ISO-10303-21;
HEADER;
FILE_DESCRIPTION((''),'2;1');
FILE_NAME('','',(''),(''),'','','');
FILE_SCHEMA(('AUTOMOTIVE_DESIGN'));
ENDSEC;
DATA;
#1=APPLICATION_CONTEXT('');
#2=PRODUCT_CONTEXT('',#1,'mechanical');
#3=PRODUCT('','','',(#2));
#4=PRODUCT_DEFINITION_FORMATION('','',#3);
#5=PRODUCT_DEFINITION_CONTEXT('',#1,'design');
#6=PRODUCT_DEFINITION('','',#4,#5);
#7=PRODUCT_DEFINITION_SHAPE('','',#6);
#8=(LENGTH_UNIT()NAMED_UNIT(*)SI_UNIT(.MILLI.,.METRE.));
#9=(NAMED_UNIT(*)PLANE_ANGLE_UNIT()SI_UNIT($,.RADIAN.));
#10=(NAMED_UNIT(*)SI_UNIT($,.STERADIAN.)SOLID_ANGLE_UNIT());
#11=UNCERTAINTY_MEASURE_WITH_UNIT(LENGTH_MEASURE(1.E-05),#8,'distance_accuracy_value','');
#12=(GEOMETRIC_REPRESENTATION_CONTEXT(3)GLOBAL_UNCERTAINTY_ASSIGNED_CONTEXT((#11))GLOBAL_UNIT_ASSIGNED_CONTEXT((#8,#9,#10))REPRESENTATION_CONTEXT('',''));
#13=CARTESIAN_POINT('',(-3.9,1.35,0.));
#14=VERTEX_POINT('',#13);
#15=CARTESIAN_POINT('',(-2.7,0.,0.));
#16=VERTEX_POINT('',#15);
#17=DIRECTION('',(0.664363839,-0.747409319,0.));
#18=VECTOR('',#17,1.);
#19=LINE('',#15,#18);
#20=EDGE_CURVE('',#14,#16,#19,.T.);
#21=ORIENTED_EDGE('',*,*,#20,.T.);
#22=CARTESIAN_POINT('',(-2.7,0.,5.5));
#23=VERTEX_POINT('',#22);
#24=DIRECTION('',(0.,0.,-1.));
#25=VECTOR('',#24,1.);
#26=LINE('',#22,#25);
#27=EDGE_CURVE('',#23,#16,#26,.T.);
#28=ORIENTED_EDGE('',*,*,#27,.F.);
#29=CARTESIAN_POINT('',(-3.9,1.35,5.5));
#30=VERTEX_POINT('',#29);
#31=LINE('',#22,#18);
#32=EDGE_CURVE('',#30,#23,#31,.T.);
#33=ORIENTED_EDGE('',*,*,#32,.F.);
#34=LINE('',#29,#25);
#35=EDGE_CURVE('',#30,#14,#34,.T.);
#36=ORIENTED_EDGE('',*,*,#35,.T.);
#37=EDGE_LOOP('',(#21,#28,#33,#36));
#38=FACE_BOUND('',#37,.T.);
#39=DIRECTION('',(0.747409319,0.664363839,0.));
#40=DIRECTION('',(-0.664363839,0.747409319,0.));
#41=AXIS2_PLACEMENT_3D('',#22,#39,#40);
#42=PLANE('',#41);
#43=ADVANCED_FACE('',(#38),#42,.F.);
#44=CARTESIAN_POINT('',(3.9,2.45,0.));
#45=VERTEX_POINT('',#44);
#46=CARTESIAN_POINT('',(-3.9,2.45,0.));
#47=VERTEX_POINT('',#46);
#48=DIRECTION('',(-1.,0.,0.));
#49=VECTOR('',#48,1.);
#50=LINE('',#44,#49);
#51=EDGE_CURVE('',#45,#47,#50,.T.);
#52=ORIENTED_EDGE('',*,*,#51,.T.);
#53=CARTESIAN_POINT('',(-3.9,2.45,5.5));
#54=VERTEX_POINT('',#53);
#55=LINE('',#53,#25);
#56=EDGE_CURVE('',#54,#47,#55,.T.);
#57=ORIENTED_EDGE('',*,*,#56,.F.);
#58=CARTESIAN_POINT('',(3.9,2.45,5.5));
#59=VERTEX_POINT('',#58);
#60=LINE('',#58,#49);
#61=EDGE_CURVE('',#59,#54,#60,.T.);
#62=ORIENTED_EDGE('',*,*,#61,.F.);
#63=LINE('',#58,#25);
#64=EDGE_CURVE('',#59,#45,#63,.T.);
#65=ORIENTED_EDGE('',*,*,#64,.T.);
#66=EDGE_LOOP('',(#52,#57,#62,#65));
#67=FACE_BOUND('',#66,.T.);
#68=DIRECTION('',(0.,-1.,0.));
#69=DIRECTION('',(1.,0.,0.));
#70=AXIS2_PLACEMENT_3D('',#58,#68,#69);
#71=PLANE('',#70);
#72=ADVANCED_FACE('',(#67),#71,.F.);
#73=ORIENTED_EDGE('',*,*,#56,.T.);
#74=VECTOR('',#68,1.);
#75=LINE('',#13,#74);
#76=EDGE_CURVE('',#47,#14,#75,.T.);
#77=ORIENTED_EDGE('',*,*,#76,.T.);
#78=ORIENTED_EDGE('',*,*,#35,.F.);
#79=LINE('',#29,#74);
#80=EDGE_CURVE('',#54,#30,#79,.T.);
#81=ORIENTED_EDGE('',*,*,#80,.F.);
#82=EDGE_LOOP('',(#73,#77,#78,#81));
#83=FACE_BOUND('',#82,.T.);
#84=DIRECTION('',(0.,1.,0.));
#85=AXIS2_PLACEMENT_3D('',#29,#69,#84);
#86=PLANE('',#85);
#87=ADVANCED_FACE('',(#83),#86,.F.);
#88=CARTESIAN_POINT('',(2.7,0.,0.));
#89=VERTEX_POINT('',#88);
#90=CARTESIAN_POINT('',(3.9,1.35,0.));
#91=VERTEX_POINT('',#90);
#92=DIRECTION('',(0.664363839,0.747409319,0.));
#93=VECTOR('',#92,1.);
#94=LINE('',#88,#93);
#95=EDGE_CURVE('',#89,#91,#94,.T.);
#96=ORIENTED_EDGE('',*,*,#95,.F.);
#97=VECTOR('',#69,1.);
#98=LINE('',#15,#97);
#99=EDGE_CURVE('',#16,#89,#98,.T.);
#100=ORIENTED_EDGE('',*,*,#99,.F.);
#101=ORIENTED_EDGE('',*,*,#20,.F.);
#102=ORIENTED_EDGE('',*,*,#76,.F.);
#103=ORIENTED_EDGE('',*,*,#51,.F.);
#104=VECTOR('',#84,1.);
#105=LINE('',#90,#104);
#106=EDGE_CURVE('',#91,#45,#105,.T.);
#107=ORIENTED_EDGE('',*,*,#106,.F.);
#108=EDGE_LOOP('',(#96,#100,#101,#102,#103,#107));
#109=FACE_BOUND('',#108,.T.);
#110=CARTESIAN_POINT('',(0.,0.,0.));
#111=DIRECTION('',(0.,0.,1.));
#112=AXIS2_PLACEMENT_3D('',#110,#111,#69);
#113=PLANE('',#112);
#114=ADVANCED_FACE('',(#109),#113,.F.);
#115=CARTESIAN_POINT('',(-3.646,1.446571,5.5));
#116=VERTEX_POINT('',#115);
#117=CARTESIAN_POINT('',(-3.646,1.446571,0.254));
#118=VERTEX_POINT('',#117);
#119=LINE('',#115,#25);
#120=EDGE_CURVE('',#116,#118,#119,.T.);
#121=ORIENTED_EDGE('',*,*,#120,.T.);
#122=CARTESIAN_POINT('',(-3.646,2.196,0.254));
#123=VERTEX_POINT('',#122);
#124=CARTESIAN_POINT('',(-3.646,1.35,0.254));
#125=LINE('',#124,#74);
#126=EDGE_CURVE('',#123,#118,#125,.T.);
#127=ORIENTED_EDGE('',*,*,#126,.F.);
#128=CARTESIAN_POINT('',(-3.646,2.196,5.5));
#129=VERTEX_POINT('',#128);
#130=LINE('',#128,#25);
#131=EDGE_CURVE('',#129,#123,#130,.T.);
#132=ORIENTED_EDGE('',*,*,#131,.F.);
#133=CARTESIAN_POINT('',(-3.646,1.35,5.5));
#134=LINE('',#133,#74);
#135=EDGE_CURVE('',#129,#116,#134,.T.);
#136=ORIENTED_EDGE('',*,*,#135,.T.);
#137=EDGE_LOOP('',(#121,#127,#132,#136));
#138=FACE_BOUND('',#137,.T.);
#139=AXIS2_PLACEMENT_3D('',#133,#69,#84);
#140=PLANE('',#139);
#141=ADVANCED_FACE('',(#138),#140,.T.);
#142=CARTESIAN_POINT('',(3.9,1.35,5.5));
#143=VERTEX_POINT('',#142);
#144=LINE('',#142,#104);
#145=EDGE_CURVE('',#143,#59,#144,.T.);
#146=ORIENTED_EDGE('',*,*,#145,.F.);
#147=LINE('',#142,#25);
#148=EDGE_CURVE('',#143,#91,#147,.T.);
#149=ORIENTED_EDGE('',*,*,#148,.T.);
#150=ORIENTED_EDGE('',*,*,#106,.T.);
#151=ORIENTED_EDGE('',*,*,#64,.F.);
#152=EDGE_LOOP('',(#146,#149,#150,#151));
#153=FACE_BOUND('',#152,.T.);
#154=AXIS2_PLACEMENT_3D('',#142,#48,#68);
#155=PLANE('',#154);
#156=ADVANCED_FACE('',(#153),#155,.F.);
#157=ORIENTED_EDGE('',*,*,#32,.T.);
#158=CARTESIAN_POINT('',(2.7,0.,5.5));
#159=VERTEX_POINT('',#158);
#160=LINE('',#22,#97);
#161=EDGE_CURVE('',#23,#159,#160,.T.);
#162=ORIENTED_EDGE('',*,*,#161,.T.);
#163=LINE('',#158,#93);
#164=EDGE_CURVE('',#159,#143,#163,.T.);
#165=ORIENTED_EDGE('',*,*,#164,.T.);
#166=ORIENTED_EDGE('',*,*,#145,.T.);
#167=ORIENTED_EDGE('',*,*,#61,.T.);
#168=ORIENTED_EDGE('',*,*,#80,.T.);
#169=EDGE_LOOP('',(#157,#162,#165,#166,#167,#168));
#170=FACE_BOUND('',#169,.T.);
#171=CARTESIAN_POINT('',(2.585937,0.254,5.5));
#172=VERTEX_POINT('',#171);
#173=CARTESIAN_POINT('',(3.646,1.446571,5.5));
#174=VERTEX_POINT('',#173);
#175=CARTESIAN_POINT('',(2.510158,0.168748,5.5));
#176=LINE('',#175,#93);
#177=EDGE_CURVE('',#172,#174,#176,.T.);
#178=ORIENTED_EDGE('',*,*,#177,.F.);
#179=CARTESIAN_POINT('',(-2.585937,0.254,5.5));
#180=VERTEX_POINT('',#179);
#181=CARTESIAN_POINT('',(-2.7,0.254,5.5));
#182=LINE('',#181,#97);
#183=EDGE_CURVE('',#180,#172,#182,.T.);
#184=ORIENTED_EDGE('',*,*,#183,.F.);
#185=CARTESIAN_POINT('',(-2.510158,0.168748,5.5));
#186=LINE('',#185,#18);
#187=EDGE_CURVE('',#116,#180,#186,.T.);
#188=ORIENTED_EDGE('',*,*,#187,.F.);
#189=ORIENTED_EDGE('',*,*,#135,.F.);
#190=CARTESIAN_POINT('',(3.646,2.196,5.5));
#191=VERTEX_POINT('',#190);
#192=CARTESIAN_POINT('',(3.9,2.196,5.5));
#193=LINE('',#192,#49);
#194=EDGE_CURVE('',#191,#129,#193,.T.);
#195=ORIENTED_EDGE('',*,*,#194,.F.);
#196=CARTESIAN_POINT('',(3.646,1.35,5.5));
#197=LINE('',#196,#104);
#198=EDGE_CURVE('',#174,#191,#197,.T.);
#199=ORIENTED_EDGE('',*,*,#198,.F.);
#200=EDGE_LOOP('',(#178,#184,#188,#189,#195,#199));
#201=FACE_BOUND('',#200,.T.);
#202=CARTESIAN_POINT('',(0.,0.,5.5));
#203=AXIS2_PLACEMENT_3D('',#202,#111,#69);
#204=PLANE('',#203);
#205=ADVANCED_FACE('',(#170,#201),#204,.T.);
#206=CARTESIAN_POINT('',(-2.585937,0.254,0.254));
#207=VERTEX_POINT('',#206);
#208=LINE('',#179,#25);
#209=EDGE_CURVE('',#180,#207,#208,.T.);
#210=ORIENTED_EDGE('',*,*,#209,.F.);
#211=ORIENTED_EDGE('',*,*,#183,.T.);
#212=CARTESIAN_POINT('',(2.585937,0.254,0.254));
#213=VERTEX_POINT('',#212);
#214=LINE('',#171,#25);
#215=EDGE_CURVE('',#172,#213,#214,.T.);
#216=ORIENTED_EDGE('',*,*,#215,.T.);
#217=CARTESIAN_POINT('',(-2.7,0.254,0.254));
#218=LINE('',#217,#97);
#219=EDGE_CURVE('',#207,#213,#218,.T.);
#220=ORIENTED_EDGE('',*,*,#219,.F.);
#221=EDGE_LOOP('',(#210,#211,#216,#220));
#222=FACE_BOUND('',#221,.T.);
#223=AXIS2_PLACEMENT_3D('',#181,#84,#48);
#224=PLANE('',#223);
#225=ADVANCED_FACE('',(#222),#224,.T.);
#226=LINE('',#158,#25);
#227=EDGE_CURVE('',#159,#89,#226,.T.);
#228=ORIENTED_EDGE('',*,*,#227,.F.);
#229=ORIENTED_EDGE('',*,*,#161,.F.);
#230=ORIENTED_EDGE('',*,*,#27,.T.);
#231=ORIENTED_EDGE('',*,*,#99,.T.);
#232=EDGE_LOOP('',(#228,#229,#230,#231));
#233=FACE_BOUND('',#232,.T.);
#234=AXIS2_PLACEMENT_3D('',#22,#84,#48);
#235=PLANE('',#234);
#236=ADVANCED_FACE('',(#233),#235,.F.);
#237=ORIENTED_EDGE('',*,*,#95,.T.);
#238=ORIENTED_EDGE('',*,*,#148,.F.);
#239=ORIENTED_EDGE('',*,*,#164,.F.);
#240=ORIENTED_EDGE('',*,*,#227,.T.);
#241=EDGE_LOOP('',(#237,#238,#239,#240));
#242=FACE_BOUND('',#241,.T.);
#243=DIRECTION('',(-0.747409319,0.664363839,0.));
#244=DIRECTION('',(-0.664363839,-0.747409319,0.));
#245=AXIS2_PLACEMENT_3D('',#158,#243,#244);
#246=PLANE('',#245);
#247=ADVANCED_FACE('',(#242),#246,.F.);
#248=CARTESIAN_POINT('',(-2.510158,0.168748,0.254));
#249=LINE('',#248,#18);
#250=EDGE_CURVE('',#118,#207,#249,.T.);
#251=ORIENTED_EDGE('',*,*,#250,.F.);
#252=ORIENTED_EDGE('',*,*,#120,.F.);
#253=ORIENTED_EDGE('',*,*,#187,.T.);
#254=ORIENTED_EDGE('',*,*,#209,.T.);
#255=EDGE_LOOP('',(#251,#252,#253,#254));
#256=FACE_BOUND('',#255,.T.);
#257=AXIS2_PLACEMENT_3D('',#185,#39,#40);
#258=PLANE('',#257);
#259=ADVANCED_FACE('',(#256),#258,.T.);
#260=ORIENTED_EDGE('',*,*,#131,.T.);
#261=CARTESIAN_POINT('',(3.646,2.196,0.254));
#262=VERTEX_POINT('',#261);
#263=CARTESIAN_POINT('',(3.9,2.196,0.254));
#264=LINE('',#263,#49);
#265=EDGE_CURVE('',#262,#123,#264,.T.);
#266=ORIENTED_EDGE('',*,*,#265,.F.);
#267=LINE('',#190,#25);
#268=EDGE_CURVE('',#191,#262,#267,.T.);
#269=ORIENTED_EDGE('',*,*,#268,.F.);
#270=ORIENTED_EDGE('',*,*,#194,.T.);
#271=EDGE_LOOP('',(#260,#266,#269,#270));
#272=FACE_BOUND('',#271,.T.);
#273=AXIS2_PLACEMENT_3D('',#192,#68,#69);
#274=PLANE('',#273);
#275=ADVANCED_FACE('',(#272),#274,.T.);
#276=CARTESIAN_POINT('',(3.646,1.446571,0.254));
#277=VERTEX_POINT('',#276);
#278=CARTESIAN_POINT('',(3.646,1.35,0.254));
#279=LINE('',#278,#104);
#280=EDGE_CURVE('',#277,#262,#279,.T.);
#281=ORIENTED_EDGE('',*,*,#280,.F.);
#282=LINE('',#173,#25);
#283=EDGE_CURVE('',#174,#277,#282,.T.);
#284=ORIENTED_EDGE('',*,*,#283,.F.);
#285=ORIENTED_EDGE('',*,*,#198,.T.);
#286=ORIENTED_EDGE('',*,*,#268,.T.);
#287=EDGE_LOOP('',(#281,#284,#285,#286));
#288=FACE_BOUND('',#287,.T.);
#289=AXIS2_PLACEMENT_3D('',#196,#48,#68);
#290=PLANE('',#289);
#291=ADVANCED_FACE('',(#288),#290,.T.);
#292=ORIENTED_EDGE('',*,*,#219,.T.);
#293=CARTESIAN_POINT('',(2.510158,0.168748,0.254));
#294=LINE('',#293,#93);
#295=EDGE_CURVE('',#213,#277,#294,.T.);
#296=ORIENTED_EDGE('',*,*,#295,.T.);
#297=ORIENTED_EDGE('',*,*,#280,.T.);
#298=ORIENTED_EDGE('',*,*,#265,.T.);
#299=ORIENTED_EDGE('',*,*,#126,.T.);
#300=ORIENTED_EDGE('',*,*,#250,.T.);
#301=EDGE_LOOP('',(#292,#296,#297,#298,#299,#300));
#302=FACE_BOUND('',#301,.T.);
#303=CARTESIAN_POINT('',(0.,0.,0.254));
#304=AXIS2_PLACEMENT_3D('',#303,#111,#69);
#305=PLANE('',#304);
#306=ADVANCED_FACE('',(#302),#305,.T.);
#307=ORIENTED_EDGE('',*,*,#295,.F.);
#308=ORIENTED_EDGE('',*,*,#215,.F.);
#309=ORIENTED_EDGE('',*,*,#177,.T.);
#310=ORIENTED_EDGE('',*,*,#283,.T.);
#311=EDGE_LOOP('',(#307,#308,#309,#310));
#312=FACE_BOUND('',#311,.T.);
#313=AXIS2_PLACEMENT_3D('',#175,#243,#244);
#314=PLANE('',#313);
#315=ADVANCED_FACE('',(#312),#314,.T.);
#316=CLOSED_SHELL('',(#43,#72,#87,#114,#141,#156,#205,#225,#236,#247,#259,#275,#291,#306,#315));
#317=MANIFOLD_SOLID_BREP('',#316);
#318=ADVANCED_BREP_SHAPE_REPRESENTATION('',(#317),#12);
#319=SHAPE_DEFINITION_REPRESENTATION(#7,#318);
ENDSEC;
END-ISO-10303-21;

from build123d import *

# Parameters (mm, degrees)
BOSS_EXTRUDE1_DEPTH = 5.5
SHELL1_T            = -0.254


with BuildPart() as part:
    # Sketch1 → Boss-Extrude1 (new body)
    with BuildSketch(Plane.XY):
        Polygon((-2.7, 0), (2.7, 0), (3.9, 1.35), (3.9, 2.45), (-3.9, 2.45), (-3.9, 1.35), align=None)
    extrude(amount=BOSS_EXTRUDE1_DEPTH)

    # Shell1
    shell1_openings = [part.faces().sort_by_distance(p)[0] for p in [
        (0, 1.266666667, 5.5),
    ]]
    offset(amount=SHELL1_T, openings=shell1_openings, kind=Kind.INTERSECTION)


solid = part.part
